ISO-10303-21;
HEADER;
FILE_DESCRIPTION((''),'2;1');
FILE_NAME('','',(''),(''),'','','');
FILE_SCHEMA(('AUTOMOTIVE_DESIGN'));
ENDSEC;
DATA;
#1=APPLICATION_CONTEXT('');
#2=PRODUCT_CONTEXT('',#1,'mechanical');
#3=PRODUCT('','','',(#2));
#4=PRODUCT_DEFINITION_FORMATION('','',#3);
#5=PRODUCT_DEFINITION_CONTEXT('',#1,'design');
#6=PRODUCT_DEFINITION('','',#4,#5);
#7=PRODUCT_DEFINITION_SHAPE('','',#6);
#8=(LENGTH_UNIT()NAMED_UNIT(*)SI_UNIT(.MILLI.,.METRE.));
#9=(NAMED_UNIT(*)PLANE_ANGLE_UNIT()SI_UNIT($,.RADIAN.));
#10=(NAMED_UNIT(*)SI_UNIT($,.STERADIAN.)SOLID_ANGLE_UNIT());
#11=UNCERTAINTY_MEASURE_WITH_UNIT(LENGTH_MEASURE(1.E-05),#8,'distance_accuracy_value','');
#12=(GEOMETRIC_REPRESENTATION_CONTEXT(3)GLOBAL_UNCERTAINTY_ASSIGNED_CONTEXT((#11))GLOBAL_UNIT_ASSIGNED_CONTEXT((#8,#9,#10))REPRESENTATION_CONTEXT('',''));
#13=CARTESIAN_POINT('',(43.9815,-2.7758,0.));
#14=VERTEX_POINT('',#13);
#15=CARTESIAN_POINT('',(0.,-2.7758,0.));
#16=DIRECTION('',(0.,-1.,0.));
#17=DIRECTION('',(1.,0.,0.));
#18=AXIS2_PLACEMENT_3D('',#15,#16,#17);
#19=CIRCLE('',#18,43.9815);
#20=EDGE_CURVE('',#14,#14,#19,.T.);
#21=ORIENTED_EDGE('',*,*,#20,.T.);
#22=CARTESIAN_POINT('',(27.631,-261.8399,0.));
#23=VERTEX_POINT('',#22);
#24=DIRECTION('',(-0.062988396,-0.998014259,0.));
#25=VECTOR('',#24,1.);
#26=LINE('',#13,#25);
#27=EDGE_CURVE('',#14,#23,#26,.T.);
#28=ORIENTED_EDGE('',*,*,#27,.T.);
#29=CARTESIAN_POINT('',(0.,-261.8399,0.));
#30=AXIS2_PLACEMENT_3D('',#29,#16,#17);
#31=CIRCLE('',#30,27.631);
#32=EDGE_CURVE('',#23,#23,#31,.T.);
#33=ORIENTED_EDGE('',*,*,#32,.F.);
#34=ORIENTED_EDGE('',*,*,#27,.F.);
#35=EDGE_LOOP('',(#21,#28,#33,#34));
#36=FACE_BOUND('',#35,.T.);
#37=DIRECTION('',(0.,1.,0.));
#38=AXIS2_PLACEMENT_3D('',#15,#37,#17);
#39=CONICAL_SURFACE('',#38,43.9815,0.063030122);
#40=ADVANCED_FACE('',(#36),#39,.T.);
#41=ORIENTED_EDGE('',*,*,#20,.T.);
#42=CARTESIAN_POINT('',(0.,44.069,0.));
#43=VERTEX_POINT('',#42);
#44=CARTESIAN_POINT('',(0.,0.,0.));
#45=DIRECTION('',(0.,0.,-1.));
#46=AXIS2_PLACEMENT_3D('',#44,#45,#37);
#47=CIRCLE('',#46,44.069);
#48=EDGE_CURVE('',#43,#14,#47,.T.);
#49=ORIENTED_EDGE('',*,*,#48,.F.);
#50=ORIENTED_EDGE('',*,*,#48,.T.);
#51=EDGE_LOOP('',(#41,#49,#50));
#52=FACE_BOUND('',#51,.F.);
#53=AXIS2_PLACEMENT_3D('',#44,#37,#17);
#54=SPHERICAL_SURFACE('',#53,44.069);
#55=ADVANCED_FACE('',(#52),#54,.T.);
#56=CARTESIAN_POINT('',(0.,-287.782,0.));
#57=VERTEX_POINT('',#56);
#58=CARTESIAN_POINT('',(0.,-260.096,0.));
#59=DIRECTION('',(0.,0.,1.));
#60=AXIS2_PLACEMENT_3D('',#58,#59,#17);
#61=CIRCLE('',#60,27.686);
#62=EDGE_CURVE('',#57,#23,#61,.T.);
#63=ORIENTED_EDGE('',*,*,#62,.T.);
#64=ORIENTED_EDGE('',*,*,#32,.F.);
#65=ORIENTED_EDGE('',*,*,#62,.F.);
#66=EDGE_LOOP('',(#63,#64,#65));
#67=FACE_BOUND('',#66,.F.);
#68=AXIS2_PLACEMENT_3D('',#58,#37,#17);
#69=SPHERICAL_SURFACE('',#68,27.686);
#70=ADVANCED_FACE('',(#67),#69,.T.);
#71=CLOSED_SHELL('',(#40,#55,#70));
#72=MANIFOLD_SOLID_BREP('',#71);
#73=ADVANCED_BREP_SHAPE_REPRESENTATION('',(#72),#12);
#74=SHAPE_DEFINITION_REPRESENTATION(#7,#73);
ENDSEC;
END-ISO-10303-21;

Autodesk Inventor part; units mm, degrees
ref_plane "YZ Plane" through (0, 0, 0) normal (1, 0, 0) x (0, 1, 0)
ref_plane "XZ Plane" through (0, 0, 0) normal (0, 1, 0) x (-1, 0, 0)
ref_plane "XY Plane" through (0, 0, 0) normal (0, 0, 1) x (1, 0, 0)
sketch "Sketch1" plane through (0, 0, 0) normal (0, 0, 1) x (1, 0, 0)
  circle A0 centre (0, 0) radius 44.069
  circle A1 centre (0, -260.096) radius 27.686
  line L0 (0, 44.069) -> (0, -287.782)
  line L1 (43.9815, -2.7758) -> (27.631, -261.8399)
  dimension "d16" = 260.096
  dimension "d17" = 88.138
  dimension "d18" = 55.372
revolve "Revolution1" add sketch "Sketch1" angle 360 about axis through (0, 44.069, 0) along (0, -1, 0) picked at (10.3872, 10.3872) picked at (12.7574, -268.1195) contours A0 L0 | L1 A1 L0 A0 | A1 L0
equation "\"d16\" = ELBOW_TO_WRIST"
equation "\"d17\" = ELBOW_THK"
equation "\"d18\" = WRIST_THK"
equation "\"ELBOW_TO_WRIST\" = 260.096"
equation "\"ELBOW_THK\" = 88.138"
equation "\"WRIST_THK\" = 55.372"
properties part number "3D HUMAN"
